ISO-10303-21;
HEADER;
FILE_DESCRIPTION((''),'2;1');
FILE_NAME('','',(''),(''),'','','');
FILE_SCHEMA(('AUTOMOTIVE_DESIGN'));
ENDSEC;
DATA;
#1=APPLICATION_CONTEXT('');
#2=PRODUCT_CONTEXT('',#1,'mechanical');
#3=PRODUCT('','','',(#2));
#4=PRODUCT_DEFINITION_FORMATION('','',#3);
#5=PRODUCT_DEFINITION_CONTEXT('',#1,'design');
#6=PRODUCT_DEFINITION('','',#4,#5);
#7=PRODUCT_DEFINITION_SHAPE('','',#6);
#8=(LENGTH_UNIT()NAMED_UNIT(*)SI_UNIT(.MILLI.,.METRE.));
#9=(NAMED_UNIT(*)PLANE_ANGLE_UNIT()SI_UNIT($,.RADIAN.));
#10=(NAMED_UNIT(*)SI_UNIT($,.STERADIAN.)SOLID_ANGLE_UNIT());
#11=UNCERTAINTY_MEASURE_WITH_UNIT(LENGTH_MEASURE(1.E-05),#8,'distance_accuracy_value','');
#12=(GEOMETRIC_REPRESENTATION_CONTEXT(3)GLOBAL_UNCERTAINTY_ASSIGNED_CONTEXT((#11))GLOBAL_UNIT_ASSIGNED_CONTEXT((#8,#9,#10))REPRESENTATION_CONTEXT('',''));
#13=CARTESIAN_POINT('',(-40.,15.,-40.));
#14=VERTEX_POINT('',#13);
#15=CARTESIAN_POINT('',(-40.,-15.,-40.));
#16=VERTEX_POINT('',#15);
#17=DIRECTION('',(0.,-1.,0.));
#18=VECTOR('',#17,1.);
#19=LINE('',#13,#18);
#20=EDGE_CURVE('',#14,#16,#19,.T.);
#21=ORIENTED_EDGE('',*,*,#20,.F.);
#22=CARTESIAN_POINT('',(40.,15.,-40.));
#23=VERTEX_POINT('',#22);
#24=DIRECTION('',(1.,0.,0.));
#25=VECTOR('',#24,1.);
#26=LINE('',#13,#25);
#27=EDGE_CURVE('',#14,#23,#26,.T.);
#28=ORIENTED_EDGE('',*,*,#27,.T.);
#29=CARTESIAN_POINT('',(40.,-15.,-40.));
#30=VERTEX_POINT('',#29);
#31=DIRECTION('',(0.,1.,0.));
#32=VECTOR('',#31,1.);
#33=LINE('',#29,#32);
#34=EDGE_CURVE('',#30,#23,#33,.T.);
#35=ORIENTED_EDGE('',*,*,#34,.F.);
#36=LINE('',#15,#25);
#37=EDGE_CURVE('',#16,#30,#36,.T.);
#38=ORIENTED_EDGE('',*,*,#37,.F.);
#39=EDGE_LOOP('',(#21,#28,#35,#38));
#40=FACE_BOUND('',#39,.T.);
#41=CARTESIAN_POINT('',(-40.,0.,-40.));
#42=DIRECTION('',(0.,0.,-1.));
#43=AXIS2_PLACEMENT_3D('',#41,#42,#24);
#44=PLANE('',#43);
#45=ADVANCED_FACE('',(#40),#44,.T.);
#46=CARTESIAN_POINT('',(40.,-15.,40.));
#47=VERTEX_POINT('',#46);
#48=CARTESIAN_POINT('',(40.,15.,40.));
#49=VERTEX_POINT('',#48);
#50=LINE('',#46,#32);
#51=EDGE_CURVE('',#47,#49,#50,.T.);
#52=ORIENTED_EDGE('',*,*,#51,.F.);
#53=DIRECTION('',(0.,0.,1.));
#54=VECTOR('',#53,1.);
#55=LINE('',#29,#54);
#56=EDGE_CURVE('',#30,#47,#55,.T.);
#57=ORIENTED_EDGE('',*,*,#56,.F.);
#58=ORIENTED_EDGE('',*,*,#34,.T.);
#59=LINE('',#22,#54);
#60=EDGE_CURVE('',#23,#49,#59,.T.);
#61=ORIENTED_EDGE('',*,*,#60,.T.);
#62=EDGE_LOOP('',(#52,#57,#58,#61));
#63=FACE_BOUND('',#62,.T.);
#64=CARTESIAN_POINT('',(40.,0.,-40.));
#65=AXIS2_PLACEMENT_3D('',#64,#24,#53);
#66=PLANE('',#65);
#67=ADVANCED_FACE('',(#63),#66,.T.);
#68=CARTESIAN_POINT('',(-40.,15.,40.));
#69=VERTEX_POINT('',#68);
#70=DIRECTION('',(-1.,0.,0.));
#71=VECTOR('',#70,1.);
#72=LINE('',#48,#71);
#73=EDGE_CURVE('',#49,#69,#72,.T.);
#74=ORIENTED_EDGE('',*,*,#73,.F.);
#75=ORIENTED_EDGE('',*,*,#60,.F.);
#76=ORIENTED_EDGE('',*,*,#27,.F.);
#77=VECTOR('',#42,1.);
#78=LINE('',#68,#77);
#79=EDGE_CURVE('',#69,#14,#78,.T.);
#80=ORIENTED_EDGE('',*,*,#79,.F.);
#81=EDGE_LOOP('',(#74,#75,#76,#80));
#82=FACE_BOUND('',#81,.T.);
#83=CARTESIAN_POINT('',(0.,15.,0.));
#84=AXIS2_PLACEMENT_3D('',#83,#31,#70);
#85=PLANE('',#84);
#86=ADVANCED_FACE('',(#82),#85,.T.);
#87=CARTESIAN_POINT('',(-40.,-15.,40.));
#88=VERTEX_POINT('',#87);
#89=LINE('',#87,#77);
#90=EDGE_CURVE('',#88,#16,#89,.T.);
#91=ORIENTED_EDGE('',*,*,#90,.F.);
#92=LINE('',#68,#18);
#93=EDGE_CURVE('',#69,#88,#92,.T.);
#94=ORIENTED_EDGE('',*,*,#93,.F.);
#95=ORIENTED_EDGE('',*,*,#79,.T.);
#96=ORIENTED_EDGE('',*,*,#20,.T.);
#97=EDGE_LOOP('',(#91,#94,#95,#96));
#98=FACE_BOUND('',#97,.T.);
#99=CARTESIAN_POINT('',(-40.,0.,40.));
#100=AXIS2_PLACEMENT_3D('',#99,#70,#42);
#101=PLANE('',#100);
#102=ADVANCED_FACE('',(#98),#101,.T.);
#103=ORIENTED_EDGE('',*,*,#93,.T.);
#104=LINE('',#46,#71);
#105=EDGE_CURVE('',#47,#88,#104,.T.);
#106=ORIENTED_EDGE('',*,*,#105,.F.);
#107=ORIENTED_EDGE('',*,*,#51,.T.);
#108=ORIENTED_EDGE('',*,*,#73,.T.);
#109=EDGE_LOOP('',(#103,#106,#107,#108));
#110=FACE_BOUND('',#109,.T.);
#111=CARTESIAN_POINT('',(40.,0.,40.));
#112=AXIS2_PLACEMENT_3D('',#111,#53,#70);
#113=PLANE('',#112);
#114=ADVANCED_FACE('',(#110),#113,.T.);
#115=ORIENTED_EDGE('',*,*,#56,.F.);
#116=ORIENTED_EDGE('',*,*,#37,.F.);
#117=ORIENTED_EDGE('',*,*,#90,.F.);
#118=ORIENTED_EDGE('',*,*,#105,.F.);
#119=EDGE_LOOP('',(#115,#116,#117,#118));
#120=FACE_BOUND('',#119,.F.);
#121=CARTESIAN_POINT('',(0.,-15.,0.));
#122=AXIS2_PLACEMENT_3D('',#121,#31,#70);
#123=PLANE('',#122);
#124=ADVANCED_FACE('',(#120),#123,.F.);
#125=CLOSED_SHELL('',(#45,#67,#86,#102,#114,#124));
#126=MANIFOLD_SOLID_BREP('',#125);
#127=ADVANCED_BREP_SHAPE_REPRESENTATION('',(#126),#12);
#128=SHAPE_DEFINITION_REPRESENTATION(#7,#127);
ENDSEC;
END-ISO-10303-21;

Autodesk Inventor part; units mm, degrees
ref_plane "YZ Plane" through (0, 0, 0) normal (1, 0, 0) x (0, 1, 0)
ref_plane "XZ Plane" through (0, 0, 0) normal (0, 1, 0) x (-1, 0, 0)
ref_plane "XY Plane" through (0, 0, 0) normal (0, 0, 1) x (1, 0, 0)
sketch "Sketch1" plane through (0, 0, 0) normal (0, 1, 0) x (-1, 0, 0)
  line L0 (-40, 40) -> (40, 40)
  line L1 (40, 40) -> (40, -40)
  line L2 (40, -40) -> (-40, -40)
  line L3 (-40, -40) -> (-40, 40)
  line L4 (-40, 40) -> (40, -40) construction
  line L5 (40, 40) -> (-40, -40) construction
  point P0 (0, 0)
  dimension "d0" = 80
  dimension "d1" = 80
extrude "Extrusion1" add sketch "Sketch1" along normal mid plane 30
equation "\"d0\" = stock_xw"
equation "\"d1\" = stock_yw"
equation "\"d2\" = stock_zw"
equation "\"stock_xw\" = 80"
equation "\"stock_yw\" = 80"
equation "\"stock_zw\" = 30"
properties part number "SquareStock"
